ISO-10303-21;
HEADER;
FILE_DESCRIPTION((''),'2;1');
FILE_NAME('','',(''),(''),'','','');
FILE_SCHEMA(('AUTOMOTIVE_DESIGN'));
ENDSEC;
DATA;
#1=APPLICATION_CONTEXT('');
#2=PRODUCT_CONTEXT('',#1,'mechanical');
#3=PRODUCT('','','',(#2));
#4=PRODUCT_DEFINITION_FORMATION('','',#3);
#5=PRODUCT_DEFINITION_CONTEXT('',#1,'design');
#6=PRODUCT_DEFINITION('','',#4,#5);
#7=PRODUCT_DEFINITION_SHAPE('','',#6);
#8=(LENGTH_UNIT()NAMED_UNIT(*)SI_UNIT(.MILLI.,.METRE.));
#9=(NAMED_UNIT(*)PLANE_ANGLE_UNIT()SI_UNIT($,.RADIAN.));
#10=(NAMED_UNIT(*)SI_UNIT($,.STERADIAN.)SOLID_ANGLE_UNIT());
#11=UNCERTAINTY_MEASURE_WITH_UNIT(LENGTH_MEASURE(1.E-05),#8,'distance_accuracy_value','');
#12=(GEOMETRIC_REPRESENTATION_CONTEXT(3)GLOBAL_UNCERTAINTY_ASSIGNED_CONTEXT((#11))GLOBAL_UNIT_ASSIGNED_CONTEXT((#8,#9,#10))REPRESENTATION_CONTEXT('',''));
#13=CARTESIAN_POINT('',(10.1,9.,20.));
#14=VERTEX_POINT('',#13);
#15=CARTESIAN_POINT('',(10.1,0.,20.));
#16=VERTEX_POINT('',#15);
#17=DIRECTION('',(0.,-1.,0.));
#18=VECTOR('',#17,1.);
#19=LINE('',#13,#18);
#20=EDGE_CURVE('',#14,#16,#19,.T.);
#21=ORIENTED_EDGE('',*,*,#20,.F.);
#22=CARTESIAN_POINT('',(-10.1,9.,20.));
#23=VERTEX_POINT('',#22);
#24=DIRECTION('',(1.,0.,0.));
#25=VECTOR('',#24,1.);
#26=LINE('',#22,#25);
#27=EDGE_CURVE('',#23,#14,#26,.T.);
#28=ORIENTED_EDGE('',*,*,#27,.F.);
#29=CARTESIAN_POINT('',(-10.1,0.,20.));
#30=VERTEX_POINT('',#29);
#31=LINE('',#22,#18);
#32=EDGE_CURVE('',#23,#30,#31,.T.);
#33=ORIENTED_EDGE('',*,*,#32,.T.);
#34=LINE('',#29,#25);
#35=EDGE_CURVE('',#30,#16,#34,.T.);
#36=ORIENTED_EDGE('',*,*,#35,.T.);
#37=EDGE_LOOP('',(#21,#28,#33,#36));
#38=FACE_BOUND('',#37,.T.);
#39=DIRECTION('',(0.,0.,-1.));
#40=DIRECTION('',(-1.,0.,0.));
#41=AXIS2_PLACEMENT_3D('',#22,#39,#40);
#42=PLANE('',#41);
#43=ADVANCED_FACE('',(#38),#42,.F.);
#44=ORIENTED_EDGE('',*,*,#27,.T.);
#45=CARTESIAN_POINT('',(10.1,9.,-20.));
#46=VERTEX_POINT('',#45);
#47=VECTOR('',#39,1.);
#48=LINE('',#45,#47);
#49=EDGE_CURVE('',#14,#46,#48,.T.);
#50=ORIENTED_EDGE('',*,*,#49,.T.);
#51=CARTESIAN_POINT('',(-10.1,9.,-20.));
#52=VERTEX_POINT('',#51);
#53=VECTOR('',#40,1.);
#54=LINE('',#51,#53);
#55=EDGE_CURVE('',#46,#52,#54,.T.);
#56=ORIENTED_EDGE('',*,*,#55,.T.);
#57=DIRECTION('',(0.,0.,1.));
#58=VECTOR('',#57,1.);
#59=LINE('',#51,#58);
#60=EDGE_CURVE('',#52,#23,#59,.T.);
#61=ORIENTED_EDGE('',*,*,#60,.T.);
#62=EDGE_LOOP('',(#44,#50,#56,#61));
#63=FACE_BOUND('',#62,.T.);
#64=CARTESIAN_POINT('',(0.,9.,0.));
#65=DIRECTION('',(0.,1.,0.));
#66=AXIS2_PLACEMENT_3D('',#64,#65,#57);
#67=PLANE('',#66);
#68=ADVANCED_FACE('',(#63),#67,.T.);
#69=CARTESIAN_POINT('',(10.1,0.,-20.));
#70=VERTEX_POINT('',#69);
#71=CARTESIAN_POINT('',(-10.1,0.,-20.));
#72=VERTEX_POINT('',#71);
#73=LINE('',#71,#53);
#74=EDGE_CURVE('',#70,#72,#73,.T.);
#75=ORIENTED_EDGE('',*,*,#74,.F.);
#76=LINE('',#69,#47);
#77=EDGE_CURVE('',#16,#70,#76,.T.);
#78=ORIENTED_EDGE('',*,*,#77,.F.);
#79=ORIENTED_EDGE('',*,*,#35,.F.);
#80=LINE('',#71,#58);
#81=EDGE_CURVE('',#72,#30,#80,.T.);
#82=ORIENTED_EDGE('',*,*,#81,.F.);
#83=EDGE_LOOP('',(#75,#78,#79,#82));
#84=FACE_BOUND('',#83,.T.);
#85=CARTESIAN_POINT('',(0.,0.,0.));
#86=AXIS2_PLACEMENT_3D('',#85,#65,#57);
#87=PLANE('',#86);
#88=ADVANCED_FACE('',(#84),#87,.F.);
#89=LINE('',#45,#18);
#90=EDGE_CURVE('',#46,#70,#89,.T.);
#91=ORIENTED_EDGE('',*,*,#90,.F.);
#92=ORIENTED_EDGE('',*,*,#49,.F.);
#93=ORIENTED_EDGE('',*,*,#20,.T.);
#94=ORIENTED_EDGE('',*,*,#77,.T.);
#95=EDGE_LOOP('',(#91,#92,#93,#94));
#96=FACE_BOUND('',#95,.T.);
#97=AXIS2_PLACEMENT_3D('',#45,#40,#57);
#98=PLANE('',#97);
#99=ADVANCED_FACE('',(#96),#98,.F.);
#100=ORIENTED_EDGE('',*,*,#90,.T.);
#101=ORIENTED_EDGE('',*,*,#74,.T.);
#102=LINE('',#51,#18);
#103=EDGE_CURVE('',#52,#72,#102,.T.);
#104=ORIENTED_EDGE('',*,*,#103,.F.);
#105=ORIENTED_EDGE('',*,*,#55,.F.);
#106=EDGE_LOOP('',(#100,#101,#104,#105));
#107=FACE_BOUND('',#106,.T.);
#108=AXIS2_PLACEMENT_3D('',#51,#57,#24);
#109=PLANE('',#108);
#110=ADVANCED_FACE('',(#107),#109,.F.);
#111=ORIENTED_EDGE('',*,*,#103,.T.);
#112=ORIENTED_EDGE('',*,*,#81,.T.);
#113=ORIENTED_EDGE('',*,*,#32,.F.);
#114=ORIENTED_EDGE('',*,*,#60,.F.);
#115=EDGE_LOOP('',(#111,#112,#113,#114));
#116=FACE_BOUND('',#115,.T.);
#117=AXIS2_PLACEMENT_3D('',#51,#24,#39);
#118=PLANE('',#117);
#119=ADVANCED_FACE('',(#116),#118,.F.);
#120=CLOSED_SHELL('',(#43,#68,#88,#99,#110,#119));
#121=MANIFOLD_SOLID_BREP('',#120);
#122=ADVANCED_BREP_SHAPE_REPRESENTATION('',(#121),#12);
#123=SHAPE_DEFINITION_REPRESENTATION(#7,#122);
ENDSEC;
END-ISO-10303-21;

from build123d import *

# Parameters (mm, degrees)
SKETCH_1_W      = 20.2
SKETCH_1_H      = 40
EXTRUDE_1_DEPTH = 9


with BuildPart() as part:
    # Эскиз1 → Бобышка-Вытянуть1 (new body)
    with BuildSketch(Plane(origin=(0, 0, 0), x_dir=(1, 0, 0), z_dir=(0, 1, 0))):
        Rectangle(SKETCH_1_W, SKETCH_1_H)
    extrude(amount=EXTRUDE_1_DEPTH)


solid = part.part
